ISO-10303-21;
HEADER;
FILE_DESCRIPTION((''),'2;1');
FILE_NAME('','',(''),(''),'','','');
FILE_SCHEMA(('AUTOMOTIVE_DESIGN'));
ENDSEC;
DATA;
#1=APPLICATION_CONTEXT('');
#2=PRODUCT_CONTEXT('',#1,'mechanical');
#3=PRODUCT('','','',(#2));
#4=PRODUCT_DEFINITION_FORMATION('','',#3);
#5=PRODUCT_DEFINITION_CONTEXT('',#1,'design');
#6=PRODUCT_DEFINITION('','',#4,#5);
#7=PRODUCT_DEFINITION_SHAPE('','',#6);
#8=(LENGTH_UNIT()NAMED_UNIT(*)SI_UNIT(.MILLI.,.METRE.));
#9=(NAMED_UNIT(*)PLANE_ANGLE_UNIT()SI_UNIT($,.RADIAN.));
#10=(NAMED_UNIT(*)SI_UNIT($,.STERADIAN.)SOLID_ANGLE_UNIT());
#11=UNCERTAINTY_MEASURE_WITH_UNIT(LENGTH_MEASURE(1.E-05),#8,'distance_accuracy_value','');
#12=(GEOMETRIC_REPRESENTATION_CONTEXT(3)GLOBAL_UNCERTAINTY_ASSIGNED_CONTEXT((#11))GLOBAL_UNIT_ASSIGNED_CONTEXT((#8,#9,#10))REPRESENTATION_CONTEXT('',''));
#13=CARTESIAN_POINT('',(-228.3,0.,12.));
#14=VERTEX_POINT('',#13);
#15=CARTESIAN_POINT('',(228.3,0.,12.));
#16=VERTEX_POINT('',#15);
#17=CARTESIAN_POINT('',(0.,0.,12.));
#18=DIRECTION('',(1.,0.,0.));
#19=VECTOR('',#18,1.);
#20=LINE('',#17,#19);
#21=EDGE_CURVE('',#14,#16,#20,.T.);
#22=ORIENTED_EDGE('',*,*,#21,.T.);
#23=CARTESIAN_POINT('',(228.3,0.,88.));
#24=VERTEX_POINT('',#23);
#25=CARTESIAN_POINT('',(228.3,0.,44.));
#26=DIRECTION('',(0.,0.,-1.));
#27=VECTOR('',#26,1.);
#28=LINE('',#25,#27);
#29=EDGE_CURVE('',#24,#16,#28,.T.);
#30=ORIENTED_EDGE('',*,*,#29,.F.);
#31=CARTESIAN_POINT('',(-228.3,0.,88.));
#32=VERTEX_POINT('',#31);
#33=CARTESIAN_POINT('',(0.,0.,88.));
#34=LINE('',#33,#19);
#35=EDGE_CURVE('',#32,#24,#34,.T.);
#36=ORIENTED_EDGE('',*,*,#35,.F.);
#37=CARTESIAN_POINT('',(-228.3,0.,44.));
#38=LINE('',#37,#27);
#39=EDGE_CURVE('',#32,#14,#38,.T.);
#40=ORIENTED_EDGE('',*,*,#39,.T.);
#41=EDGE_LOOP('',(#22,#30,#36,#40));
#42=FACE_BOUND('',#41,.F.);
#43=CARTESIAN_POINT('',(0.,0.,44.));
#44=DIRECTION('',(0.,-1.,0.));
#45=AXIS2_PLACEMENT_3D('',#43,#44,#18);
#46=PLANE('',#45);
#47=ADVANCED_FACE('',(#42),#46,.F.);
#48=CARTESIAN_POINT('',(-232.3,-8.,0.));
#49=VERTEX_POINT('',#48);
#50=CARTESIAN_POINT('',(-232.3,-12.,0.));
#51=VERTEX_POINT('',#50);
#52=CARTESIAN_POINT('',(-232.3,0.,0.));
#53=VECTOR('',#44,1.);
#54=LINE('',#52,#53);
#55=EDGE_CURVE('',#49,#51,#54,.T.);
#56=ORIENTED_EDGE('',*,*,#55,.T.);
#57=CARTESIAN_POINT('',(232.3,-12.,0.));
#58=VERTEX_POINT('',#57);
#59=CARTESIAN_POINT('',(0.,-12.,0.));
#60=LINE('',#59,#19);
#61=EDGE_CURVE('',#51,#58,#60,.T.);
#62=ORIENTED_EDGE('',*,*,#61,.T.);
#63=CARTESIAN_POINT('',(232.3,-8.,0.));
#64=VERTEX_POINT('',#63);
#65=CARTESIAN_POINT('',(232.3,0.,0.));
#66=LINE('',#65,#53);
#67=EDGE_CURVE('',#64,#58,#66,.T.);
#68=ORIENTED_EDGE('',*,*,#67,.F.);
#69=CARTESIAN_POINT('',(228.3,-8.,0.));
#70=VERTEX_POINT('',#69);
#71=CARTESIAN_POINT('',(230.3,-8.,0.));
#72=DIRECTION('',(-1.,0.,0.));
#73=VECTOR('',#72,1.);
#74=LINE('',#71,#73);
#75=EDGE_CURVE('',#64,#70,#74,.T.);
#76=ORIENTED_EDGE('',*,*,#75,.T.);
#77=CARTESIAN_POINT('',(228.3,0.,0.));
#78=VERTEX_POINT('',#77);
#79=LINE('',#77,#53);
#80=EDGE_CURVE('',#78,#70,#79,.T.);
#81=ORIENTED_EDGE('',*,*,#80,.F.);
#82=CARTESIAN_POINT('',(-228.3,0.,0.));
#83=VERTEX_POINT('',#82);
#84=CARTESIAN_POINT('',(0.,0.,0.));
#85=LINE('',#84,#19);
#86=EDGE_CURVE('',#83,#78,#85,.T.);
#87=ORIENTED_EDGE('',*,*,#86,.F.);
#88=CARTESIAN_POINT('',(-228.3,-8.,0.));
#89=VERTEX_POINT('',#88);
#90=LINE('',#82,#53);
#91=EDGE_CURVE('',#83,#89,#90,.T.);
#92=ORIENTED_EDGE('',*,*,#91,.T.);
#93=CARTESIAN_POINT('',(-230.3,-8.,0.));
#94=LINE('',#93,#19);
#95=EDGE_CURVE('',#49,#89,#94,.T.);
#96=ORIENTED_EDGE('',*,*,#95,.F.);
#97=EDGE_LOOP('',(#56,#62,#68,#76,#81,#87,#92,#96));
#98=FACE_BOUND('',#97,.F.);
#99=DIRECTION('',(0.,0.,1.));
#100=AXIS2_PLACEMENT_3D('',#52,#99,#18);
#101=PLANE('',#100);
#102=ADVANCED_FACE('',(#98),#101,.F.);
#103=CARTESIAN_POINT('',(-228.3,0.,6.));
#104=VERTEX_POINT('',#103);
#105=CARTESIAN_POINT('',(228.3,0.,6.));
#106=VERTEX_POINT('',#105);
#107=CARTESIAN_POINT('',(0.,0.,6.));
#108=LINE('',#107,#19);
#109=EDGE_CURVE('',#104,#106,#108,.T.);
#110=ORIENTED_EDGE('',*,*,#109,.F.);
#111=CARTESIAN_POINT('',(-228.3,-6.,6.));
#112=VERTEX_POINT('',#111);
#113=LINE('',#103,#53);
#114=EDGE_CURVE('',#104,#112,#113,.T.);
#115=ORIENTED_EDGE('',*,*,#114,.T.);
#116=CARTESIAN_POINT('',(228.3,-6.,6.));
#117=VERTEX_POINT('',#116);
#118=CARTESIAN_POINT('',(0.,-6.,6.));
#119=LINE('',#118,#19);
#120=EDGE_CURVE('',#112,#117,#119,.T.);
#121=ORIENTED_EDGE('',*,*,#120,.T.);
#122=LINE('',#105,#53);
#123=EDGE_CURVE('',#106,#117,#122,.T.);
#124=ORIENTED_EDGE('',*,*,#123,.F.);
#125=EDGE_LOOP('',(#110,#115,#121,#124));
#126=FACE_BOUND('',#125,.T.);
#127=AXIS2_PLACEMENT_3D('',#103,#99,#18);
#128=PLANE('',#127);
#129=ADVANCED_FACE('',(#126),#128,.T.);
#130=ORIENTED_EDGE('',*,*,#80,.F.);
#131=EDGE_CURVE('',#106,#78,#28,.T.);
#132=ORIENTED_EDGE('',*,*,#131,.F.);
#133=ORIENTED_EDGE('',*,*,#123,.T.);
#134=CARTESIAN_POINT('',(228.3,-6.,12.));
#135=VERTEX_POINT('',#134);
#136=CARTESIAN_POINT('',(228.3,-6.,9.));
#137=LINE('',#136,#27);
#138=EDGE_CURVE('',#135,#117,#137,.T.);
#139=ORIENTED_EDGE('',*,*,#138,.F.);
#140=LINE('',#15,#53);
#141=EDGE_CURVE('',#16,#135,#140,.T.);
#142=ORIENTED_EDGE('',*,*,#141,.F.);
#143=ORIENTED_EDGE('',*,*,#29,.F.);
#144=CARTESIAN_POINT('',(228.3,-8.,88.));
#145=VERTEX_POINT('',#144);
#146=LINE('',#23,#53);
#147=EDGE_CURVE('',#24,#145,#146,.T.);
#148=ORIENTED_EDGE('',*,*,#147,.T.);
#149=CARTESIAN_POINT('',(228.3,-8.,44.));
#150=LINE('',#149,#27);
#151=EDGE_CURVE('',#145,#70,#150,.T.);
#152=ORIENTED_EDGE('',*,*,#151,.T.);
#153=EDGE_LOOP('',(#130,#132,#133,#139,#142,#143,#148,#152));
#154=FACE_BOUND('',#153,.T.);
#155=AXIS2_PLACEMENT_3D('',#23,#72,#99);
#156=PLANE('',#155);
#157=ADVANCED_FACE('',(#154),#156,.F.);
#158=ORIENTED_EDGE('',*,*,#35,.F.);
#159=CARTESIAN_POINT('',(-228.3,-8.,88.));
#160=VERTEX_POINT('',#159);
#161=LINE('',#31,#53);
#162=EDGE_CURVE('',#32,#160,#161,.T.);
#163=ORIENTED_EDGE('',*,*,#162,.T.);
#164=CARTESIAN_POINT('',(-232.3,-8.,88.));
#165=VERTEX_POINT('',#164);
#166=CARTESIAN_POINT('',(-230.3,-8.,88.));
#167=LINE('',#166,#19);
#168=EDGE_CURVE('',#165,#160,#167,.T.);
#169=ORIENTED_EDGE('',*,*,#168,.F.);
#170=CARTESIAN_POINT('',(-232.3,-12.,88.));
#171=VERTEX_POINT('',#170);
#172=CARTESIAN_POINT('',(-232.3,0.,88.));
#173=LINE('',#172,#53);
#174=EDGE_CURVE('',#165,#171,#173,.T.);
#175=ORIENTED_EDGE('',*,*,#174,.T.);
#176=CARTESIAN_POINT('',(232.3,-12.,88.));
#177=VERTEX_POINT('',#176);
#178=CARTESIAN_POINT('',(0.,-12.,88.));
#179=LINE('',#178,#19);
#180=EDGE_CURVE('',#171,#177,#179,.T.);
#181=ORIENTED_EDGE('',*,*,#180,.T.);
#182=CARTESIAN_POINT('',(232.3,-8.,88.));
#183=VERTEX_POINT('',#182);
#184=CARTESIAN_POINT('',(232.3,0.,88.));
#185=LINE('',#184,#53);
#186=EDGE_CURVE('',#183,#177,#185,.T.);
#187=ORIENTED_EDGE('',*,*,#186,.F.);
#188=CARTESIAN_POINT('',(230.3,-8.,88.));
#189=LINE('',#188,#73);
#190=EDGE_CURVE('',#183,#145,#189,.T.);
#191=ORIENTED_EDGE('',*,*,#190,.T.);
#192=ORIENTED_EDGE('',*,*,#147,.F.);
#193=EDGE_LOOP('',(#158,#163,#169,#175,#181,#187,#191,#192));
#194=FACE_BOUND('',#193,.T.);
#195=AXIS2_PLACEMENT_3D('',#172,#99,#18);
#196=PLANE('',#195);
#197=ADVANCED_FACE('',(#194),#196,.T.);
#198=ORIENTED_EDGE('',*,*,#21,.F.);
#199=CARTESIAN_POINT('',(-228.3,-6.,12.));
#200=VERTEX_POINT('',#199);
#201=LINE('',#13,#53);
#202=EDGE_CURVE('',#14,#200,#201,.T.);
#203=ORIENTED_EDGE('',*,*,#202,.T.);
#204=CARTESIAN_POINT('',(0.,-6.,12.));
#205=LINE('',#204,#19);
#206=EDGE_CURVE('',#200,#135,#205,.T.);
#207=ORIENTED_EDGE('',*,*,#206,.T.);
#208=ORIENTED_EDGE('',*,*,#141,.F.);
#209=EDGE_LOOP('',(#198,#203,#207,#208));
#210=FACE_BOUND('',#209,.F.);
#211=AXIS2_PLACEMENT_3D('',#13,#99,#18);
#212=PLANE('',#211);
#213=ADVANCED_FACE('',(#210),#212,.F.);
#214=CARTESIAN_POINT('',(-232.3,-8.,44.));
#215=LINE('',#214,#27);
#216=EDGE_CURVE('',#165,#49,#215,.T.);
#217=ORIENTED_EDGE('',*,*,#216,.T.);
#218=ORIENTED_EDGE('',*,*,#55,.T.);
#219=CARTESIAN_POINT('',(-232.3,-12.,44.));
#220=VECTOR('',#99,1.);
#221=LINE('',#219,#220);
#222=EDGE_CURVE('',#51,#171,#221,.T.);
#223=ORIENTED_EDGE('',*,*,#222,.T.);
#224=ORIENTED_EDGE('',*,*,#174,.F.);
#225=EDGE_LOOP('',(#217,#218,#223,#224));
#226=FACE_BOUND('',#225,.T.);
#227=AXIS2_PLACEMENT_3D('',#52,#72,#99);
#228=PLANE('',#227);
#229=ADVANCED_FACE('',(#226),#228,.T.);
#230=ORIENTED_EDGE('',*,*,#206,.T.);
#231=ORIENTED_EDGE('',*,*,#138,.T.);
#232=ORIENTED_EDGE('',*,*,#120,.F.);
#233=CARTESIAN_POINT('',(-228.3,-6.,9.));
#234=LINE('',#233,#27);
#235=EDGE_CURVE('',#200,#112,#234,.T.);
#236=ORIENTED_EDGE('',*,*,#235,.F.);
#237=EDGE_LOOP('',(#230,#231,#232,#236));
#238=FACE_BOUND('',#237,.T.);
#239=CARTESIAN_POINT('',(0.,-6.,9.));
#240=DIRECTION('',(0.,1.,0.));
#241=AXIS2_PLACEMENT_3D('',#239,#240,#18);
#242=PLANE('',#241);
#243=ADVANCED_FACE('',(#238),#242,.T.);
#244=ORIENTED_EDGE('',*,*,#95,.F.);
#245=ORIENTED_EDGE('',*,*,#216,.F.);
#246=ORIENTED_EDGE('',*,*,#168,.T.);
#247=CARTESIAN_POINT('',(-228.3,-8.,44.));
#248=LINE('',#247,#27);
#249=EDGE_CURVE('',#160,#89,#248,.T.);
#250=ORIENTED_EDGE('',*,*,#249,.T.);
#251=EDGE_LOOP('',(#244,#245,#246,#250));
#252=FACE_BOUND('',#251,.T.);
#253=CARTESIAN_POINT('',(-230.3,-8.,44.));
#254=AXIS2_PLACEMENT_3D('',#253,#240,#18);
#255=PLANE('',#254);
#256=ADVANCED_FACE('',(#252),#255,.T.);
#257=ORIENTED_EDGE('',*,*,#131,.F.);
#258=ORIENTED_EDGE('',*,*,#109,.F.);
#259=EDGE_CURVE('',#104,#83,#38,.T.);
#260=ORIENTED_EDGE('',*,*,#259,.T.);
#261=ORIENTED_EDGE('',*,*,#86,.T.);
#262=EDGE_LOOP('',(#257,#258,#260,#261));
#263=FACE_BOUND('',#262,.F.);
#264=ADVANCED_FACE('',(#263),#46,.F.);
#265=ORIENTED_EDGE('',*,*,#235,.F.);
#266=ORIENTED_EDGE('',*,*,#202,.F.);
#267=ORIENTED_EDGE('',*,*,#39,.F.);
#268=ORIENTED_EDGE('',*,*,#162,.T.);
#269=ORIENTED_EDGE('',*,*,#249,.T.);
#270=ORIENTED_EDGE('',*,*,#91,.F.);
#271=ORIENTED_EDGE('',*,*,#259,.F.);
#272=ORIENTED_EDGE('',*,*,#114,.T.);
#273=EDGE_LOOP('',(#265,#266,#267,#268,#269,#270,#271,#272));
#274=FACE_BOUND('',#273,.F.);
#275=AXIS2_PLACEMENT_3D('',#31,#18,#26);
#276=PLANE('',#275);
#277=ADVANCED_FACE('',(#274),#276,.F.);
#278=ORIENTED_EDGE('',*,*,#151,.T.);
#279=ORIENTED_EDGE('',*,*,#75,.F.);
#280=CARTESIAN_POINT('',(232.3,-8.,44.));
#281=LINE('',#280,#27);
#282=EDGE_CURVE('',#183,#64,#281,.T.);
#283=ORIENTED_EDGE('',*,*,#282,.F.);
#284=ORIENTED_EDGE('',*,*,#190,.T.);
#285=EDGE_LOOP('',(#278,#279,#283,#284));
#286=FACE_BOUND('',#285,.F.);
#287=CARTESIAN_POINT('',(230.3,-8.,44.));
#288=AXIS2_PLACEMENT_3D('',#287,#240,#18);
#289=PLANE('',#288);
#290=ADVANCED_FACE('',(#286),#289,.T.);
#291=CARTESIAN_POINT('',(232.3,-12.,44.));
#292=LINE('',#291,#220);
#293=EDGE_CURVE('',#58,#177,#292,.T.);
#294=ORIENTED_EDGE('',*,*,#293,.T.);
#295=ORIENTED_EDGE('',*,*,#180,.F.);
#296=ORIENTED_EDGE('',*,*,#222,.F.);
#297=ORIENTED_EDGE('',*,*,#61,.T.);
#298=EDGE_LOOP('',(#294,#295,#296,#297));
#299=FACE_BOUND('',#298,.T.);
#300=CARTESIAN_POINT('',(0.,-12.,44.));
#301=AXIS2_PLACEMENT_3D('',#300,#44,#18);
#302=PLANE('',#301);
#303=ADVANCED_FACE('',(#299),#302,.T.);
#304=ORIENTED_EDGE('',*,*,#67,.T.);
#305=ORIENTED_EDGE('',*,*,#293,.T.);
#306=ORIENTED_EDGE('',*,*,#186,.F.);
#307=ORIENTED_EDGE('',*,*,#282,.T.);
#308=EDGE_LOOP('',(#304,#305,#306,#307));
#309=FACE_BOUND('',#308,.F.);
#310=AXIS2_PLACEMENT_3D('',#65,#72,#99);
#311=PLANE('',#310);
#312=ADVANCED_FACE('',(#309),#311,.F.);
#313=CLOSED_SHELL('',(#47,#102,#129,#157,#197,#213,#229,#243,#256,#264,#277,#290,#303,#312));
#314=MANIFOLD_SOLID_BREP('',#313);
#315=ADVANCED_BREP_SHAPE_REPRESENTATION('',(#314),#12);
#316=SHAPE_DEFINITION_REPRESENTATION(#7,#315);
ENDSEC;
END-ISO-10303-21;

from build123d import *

# Parameters (mm, degrees)
SKETCH059_W             = 464.6
SKETCH059_H             = 88
PAD022_DEPTH            = 12
SKETCH060_W             = 4
SKETCH060_H             = 88
POCKET036_DEPTH         = 8
SKETCH061_W             = 456.6
SKETCH061_H             = 6
POCKET037_DEPTH         = 6
BODY021_PLACEMENT_ANGLE = 90


with BuildPart() as part:
    # Sketch059 → Pad022 (new body)
    with BuildSketch(Plane.XY):
        with Locations((0, 44)):
            Rectangle(SKETCH059_W, SKETCH059_H)
    extrude(amount=PAD022_DEPTH)

    # Sketch060 (on Face5 of Pad022) → Pocket036 (cut)
    with BuildSketch(Plane(origin=(0, 0, 0), x_dir=(1, 0, 0), z_dir=(0, 0, -1))):
        with Locations((-230.3, -44)):
            Rectangle(SKETCH060_W, SKETCH060_H)
    pocket036 = extrude(amount=-POCKET036_DEPTH, mode=Mode.SUBTRACT)

    # Mirrored013: Pocket036 across Sketch060 V_Axis
    add(pocket036.mirror(Plane(origin=(0, 0, 0), x_dir=(0, 0, -1), z_dir=(1, 0, 0))), mode=Mode.SUBTRACT)

    # Sketch061 (on Face3 of Mirrored013) → Pocket037 (cut)
    with BuildSketch(Plane(origin=(0, 0, 0), x_dir=(1, 0, 0), z_dir=(0, 0, -1))):
        with Locations((0, -9)):
            Rectangle(SKETCH061_W, SKETCH061_H)
    extrude(amount=-POCKET037_DEPTH, mode=Mode.SUBTRACT)


with BuildPart() as part_1:
    # Body021 placement: moved
    add(part.part.rotate(Axis((0, 0, 0), (1, 0, 0)), BODY021_PLACEMENT_ANGLE))


solid = part_1.part
